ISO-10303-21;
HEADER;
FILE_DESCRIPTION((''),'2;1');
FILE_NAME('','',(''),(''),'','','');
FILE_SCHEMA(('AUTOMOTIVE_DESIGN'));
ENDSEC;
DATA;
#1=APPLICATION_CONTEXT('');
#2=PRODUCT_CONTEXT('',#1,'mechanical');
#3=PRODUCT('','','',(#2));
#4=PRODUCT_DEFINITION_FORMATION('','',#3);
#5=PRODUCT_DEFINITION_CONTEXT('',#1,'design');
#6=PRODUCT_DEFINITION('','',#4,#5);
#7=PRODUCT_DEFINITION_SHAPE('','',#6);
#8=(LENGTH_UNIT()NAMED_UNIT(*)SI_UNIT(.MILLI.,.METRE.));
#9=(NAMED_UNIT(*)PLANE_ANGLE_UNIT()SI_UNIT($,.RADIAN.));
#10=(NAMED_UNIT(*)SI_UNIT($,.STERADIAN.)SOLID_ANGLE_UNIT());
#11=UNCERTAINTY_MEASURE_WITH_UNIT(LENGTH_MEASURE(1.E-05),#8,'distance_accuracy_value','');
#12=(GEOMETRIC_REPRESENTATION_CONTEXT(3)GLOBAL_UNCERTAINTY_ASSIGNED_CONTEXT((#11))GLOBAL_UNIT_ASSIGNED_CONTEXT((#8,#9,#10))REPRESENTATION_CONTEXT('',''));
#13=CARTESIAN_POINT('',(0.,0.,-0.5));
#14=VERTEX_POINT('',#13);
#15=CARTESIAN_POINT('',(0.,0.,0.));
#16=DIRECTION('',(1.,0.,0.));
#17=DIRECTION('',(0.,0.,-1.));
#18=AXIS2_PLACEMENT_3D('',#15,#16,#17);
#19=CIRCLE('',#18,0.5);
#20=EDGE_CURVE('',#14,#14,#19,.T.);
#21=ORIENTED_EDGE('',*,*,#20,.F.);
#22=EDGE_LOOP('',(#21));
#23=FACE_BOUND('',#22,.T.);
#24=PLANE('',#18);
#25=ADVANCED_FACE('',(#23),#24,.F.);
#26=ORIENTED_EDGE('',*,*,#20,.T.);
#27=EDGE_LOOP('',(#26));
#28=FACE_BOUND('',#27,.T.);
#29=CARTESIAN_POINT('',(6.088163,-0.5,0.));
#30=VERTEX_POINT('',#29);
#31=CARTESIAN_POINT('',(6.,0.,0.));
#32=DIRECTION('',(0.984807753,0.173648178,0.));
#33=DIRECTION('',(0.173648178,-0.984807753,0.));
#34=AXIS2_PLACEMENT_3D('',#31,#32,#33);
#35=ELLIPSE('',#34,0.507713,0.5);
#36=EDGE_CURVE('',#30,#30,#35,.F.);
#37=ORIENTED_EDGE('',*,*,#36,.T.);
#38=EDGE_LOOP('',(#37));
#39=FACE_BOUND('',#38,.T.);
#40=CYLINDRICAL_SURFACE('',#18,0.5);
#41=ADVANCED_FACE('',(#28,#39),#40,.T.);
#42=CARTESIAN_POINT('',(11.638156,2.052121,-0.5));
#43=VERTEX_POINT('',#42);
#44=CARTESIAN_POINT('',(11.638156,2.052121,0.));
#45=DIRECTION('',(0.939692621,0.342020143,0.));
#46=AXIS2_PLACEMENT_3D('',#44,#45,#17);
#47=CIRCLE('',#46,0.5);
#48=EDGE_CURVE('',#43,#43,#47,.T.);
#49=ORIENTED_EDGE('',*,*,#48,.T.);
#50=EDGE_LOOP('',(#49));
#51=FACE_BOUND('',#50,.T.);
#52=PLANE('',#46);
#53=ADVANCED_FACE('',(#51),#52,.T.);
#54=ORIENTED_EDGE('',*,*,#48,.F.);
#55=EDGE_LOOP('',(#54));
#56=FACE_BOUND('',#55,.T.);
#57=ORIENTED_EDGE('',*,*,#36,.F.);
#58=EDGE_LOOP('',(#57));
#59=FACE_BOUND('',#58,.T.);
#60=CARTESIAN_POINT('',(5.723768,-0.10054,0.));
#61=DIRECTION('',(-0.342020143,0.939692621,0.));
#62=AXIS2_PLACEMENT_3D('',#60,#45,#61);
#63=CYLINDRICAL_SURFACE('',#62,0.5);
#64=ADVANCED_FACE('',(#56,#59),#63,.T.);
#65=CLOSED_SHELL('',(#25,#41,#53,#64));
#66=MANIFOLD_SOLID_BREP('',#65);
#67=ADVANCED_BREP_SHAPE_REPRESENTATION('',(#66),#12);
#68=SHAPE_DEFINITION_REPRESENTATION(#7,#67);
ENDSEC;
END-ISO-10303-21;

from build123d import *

# Parameters (mm, degrees)
SKETCH_2_R = 0.5


with BuildPart() as part:
    # 扫描1: sweep along a path in 草图1
    with BuildLine(Plane.XY) as sweep_1_path:
        Line((0, 0), (6, 0))
        Line((6, 0), (11.638155725, 2.05212086))
    # 草图2 → 扫描1 (sweep)
    with BuildSketch(Plane(origin=(0, 0, 0), x_dir=(0, 0, -1), z_dir=(1, 0, 0))):
        Circle(SKETCH_2_R)
    sweep(path=sweep_1_path.line, transition=Transition.RIGHT)


solid = part.part
